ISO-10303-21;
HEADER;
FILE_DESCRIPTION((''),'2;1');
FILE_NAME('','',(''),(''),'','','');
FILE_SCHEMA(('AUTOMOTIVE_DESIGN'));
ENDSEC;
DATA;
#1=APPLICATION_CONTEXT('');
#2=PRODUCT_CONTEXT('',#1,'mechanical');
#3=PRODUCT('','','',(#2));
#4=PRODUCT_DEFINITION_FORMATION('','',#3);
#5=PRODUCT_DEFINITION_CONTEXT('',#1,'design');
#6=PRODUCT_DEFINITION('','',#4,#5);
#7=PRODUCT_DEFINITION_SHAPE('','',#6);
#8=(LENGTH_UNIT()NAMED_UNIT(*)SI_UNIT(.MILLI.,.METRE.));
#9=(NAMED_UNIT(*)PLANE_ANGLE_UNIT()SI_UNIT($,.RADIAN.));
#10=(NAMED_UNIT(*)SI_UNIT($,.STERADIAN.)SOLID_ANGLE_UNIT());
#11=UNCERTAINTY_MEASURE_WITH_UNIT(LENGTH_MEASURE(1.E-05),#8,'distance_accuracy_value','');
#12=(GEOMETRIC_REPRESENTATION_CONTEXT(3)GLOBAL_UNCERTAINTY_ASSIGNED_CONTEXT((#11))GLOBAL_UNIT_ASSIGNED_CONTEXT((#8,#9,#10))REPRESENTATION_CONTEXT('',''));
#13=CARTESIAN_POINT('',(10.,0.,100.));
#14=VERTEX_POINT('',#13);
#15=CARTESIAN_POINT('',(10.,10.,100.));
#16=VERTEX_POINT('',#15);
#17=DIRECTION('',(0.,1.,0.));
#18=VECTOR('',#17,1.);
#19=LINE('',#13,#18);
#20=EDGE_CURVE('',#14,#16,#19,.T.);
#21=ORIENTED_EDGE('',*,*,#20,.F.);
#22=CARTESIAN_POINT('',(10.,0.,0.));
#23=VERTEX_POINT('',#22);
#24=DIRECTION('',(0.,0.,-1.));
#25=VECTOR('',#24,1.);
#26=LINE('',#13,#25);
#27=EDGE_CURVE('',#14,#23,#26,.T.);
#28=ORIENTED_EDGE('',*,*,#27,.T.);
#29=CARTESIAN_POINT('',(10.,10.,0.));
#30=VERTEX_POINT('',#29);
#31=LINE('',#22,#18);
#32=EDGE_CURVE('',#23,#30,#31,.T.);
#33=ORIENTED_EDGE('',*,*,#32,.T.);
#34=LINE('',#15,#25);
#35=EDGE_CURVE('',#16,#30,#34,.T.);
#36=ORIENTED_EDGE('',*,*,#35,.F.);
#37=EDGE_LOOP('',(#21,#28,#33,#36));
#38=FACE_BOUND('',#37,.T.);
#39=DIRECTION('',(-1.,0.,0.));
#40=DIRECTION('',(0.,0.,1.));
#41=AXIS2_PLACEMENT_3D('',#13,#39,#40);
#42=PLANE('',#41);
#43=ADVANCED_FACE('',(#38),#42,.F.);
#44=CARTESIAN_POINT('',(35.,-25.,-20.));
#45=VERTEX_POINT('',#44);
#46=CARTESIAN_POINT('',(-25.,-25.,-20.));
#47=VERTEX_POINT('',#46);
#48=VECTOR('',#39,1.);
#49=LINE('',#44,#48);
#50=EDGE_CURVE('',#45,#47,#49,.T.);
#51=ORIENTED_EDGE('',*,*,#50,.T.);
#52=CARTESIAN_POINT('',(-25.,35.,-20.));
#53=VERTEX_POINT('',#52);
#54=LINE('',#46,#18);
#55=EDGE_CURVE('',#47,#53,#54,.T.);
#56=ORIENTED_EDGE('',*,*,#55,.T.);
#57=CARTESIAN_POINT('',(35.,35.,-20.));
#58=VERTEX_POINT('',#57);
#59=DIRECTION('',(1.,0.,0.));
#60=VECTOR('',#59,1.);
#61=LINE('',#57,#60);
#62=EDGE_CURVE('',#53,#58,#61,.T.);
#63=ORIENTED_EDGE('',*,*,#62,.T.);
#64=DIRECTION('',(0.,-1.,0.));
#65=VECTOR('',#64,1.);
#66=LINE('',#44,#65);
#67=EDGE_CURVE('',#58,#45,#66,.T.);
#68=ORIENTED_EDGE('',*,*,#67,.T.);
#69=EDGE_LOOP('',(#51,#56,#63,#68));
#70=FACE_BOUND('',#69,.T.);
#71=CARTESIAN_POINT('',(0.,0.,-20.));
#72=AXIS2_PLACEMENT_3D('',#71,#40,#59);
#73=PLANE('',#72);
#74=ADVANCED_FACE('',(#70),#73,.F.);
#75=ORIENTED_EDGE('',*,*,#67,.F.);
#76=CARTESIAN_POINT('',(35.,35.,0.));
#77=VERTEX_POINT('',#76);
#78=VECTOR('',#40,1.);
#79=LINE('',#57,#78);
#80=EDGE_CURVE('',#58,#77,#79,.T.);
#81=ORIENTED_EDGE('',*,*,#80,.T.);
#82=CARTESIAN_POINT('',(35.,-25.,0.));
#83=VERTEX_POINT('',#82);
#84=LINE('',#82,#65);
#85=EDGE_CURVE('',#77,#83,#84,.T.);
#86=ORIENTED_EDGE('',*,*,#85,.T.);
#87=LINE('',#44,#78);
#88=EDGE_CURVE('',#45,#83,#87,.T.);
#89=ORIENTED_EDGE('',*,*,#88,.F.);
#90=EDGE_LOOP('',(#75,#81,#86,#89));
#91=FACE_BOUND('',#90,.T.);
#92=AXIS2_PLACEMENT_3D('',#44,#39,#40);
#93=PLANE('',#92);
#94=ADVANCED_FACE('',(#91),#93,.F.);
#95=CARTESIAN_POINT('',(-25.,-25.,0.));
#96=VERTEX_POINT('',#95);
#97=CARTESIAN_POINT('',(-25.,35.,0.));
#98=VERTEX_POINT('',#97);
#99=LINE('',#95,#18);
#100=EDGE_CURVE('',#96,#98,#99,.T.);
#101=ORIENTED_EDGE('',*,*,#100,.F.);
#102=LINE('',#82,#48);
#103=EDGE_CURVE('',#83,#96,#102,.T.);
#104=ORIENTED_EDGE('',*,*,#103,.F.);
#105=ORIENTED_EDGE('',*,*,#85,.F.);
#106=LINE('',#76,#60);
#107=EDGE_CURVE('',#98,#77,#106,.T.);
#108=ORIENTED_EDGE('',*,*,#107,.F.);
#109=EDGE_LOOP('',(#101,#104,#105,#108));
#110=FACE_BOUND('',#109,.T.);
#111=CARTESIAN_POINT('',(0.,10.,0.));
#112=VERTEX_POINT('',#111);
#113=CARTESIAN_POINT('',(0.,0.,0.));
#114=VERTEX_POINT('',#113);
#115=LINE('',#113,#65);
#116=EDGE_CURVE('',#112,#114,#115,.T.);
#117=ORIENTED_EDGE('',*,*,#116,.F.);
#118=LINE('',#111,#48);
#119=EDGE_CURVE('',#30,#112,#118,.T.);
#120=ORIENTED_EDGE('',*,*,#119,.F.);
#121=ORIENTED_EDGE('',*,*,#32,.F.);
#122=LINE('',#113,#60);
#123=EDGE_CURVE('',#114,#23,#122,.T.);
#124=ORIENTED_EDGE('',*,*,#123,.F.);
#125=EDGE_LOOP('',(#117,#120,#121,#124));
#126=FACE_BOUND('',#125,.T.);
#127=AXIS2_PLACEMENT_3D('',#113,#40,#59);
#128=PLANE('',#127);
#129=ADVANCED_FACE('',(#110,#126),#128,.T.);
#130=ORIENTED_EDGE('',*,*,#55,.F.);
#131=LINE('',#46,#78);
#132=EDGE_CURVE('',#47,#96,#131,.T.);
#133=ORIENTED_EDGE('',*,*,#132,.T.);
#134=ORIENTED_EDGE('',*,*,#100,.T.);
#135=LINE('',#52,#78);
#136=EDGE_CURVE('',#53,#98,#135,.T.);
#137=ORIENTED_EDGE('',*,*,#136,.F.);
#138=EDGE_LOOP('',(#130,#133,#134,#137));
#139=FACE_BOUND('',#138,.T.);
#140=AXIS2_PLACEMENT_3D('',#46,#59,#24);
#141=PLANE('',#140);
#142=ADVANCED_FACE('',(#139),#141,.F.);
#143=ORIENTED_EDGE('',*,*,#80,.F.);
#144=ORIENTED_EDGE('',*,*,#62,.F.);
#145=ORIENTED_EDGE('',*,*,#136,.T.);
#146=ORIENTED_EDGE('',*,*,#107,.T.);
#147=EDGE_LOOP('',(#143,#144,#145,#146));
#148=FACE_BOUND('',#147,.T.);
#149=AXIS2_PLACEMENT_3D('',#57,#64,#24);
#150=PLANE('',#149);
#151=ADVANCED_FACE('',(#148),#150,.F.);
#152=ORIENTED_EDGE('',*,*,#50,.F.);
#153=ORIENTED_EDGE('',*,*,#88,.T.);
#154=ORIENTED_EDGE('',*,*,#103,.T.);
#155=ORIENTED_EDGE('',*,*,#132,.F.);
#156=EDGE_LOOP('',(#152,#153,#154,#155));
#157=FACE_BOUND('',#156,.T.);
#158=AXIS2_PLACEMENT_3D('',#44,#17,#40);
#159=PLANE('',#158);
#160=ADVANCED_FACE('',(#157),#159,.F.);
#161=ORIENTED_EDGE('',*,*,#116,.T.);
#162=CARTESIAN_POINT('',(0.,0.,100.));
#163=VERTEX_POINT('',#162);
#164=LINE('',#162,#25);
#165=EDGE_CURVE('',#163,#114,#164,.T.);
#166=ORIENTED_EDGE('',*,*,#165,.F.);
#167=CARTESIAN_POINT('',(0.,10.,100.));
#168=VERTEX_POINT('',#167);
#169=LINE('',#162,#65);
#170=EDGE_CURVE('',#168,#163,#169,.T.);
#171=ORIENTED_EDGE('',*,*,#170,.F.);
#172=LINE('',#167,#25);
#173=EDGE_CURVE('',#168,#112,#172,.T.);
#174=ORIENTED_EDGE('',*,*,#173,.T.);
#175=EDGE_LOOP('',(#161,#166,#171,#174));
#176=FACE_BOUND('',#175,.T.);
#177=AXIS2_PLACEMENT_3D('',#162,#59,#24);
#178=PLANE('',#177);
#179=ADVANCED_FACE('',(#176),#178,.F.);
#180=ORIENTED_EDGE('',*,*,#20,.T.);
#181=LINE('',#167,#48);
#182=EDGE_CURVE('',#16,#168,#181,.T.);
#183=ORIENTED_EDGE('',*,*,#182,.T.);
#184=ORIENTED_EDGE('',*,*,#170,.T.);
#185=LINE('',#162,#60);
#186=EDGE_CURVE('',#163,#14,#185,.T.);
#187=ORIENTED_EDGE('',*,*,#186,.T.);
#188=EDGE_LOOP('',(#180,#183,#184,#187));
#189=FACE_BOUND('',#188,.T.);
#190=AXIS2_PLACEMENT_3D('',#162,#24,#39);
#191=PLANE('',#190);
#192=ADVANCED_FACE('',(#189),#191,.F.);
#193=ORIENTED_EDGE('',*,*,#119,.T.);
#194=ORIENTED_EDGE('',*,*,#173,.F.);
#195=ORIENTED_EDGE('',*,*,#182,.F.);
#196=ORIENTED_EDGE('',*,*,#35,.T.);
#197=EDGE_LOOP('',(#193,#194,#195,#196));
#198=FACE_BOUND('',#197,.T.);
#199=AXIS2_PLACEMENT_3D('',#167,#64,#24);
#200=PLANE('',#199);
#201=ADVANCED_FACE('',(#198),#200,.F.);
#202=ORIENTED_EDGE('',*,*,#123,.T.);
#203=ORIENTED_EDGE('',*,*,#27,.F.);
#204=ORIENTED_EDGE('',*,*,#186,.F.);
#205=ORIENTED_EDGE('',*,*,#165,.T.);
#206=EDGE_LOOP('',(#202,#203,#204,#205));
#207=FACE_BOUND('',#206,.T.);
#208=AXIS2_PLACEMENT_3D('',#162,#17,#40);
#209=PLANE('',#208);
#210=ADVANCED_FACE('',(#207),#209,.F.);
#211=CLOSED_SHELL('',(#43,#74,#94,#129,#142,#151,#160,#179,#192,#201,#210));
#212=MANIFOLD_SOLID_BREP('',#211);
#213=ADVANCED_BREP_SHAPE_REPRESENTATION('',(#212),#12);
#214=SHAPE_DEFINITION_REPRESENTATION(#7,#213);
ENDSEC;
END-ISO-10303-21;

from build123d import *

# Parameters (mm, degrees)
SKETCH_1_W      = 10
SKETCH_1_H      = 10
EXTRUDE_1_DEPTH = 100
SKETCH_2_W      = 60
SKETCH_2_H      = 60
EXTRUDE_2_DEPTH = 20


with BuildPart() as part:
    # 草图1 → 凸台-拉伸1 (new body)
    with BuildSketch(Plane.XY):
        with Locations((5, 5)):
            Rectangle(SKETCH_1_W, SKETCH_1_H)
    extrude(amount=EXTRUDE_1_DEPTH)

    # 草图2 → 凸台-拉伸2 (add)
    with BuildSketch(Plane(origin=(0, 0, 0), x_dir=(-1, 0, 0), z_dir=(0, 0, -1))):
        with Locations((-5, 5)):
            Rectangle(SKETCH_2_W, SKETCH_2_H)
    extrude(amount=EXTRUDE_2_DEPTH)


solid = part.part
